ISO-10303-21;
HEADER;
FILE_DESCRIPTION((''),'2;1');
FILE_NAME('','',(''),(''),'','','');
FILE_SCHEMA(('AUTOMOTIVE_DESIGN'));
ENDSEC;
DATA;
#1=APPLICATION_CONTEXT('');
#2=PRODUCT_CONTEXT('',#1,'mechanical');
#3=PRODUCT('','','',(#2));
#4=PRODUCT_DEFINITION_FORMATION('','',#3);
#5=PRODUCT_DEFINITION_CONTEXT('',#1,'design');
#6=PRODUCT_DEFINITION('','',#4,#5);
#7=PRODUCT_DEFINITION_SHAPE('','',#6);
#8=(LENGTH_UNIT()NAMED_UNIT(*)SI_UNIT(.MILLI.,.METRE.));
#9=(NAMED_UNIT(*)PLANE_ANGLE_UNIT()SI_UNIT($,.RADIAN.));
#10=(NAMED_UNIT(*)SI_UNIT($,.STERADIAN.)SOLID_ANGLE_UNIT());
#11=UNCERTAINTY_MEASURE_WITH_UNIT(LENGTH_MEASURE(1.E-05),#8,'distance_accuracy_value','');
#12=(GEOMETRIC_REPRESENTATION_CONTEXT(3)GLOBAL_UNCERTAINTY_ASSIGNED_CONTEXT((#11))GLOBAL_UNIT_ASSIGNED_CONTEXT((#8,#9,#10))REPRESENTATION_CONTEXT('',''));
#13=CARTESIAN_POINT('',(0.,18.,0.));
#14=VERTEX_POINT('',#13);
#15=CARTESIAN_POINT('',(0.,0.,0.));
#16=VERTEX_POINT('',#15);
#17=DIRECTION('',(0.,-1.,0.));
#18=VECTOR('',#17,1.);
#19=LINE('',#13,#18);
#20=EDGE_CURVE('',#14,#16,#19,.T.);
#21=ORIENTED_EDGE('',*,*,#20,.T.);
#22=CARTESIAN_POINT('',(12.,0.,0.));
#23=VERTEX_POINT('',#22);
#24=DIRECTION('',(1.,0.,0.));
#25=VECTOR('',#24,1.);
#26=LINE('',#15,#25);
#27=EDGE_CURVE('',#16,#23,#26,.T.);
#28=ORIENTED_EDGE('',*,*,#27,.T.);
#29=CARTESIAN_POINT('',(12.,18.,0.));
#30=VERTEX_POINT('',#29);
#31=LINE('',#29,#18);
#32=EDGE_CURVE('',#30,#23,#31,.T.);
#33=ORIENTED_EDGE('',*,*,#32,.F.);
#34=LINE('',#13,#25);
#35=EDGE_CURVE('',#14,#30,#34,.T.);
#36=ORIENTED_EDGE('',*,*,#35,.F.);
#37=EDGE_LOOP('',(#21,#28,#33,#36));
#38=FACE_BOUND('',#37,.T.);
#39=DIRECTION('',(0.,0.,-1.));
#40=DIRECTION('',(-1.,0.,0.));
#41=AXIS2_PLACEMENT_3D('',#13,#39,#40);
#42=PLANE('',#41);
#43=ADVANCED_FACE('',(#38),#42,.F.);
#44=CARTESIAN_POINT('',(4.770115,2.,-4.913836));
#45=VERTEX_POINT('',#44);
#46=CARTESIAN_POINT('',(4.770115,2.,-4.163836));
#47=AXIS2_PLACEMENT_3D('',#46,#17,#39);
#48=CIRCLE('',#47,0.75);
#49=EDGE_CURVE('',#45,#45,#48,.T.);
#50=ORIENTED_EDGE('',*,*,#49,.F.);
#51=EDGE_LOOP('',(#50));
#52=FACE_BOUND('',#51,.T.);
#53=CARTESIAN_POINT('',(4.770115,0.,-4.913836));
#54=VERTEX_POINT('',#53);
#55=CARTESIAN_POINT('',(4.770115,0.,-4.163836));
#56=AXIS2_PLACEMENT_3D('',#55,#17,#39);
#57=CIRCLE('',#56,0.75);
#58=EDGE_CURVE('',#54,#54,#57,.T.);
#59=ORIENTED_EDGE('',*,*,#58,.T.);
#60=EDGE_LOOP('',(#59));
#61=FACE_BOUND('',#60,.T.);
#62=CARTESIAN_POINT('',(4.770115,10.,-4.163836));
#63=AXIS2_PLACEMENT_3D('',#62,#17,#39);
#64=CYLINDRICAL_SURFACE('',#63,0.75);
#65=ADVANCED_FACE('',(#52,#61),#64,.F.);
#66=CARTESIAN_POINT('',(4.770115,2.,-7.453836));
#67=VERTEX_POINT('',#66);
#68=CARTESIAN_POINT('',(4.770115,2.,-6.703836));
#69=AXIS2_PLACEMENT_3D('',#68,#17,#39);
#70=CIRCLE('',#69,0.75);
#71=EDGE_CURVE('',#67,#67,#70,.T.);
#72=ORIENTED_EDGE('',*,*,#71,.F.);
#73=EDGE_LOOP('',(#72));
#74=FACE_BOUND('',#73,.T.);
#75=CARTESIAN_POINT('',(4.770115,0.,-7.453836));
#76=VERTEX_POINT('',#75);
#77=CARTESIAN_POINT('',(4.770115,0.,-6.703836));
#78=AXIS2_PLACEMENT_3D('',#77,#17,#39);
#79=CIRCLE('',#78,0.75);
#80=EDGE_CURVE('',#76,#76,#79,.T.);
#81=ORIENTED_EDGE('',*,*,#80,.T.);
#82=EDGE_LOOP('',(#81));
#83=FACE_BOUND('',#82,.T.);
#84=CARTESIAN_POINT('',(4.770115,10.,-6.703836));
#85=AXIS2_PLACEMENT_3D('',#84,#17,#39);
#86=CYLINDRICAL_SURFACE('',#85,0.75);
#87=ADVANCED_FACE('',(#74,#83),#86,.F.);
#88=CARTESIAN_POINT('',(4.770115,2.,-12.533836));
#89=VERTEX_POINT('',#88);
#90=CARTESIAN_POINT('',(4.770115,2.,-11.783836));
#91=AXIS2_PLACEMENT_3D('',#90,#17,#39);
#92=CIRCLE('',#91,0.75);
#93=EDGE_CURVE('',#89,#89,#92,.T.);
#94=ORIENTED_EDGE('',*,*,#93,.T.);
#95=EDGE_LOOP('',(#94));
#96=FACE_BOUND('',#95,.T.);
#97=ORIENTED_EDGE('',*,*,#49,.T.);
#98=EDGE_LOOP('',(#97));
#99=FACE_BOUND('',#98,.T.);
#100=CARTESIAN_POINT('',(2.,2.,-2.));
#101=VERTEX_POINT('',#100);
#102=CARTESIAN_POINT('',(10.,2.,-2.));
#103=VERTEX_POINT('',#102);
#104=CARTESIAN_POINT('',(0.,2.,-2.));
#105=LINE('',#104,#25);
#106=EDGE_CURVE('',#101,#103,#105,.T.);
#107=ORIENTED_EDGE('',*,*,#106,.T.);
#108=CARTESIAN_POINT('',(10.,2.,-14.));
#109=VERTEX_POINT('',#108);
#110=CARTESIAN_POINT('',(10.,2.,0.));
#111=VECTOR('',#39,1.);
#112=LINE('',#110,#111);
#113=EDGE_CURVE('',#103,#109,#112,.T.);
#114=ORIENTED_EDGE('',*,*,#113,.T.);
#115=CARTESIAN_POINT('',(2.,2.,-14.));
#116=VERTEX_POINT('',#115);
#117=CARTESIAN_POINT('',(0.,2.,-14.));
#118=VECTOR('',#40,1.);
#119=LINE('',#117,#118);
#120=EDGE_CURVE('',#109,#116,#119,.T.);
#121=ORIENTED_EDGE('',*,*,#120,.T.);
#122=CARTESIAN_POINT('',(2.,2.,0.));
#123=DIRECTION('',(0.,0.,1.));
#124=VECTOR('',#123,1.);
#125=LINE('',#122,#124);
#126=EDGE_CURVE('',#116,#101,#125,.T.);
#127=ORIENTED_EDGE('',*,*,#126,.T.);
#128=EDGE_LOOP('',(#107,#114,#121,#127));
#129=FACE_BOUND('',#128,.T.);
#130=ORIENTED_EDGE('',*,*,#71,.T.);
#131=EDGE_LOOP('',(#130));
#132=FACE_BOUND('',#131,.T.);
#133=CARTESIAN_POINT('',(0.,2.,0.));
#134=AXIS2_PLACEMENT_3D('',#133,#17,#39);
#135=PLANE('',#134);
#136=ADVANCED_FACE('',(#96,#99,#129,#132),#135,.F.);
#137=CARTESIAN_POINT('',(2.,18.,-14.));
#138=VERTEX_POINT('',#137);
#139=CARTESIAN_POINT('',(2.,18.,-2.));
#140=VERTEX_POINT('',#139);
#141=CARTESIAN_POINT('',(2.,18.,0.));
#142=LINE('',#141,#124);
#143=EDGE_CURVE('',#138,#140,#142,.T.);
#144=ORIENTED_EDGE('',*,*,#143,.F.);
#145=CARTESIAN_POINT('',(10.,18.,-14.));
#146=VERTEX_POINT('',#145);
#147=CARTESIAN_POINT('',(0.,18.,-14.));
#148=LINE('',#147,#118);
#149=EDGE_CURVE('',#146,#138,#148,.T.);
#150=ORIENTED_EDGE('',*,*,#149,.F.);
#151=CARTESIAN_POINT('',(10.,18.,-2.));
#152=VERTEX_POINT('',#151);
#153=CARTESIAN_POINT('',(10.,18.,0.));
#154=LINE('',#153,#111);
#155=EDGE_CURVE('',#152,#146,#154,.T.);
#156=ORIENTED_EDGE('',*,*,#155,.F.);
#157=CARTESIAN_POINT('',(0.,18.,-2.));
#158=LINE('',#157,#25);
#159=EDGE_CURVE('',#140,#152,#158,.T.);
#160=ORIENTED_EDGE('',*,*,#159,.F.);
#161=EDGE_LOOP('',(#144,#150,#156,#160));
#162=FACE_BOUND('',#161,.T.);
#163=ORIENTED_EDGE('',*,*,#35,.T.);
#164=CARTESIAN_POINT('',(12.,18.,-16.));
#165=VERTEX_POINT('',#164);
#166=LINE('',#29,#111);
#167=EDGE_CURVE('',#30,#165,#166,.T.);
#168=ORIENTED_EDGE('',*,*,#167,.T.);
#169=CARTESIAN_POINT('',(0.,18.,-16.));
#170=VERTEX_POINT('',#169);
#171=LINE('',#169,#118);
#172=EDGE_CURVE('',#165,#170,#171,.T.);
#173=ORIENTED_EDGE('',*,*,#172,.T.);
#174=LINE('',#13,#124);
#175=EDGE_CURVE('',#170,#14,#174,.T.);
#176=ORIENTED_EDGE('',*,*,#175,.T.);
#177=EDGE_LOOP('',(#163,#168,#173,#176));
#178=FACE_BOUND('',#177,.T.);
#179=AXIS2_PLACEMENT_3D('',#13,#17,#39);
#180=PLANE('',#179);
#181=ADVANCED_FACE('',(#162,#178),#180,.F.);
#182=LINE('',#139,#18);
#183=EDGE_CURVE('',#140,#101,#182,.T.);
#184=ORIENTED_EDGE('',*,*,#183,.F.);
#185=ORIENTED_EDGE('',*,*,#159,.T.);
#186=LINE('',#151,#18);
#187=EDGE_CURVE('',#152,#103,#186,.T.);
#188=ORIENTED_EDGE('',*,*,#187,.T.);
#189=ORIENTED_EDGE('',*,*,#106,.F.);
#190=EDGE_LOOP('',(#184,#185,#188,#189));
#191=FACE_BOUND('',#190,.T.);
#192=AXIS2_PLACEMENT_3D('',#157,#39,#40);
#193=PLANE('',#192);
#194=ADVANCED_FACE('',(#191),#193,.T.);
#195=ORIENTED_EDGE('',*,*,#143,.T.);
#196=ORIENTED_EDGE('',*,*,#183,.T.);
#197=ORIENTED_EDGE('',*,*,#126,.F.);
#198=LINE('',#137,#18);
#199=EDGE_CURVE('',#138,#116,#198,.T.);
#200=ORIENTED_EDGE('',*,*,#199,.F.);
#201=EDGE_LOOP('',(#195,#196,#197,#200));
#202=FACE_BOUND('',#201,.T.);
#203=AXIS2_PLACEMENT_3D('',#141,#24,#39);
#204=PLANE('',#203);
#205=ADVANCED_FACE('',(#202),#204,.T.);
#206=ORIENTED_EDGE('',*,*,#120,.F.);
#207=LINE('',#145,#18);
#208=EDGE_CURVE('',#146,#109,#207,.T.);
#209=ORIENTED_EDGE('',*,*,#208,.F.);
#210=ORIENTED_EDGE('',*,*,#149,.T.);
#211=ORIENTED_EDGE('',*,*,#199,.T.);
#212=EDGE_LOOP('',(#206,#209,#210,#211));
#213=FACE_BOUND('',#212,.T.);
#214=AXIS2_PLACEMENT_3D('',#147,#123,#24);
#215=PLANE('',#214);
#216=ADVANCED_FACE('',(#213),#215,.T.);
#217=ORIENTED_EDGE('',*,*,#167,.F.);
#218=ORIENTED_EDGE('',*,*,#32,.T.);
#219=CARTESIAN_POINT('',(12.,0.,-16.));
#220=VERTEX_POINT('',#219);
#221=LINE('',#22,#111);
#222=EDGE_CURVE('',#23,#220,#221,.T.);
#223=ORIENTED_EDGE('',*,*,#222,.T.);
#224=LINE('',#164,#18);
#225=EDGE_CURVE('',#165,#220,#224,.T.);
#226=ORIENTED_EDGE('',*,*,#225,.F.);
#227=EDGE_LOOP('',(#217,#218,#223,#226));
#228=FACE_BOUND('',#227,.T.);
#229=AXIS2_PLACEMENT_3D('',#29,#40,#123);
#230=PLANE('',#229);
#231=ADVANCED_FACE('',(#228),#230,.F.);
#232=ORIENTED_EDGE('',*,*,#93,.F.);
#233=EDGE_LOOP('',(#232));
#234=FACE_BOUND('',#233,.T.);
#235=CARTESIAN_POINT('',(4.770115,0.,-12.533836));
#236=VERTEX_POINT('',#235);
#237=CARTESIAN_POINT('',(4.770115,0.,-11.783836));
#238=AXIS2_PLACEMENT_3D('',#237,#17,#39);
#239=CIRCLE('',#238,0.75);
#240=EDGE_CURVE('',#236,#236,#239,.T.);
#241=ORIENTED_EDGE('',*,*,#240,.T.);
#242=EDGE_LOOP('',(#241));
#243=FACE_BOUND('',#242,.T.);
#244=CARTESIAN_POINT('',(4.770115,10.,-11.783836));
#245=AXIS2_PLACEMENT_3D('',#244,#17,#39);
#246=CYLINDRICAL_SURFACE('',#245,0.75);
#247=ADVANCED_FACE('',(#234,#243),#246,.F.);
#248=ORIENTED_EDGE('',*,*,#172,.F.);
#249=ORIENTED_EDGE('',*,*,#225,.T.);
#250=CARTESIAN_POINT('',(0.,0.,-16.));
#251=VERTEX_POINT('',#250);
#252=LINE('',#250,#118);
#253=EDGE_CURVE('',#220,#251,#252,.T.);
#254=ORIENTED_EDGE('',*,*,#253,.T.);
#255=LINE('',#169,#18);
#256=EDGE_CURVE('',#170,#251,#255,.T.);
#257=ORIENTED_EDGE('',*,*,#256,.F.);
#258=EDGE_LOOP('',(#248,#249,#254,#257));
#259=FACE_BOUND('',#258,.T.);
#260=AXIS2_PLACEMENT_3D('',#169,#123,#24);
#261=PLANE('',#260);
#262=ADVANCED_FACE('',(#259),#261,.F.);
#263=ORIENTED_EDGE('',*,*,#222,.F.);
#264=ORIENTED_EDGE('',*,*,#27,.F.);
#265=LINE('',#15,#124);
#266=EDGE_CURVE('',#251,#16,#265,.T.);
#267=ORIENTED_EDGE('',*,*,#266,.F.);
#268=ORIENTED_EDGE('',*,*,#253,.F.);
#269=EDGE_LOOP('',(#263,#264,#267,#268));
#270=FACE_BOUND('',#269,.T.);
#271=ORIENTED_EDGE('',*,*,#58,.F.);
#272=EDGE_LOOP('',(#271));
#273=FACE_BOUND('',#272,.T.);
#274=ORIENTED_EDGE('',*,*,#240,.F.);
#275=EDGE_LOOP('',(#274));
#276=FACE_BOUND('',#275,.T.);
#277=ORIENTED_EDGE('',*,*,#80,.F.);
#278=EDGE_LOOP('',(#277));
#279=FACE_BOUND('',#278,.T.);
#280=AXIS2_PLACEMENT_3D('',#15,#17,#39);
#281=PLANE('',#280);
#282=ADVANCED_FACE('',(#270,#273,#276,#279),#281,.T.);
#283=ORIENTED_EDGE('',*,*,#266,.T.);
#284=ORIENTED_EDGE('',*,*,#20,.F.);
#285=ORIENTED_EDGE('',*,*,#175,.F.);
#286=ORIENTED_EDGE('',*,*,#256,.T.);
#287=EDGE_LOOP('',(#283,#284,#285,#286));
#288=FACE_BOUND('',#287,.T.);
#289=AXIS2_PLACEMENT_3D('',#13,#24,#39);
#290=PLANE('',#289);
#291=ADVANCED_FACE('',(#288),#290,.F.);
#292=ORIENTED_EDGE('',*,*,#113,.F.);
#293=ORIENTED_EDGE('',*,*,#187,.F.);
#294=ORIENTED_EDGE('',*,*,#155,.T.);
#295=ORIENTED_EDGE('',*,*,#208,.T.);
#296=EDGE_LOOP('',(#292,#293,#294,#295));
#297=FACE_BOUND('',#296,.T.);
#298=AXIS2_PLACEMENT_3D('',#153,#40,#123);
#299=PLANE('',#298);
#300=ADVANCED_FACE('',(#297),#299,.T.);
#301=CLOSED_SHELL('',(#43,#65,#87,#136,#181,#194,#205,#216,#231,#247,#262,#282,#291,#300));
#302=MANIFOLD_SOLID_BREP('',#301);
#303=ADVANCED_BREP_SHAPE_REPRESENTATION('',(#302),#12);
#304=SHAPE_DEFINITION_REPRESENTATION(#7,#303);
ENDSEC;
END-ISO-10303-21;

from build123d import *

# Parameters (mm, degrees)
SKETCH1_W           = 12
SKETCH1_H           = 16
BOSS_EXTRUDE1_DEPTH = 18
SHELL1_T            = -2
SKETCH2_R           = 0.75
CUT_EXTRUDE1_DEPTH  = 10


with BuildPart() as part:
    # Sketch1 → Boss-Extrude1 (new body)
    with BuildSketch(Plane(origin=(0, 0, 0), x_dir=(1, 0, 0), z_dir=(0, 1, 0))):
        with Locations((6, 8)):
            Rectangle(SKETCH1_W, SKETCH1_H)
    extrude(amount=BOSS_EXTRUDE1_DEPTH)

    # Shell1
    shell1_openings = [part.faces().sort_by_distance(p)[0] for p in [
        (6, 18, -8),
    ]]
    offset(amount=SHELL1_T, openings=shell1_openings, kind=Kind.INTERSECTION)

    # Sketch2 → Cut-Extrude1 (cut)
    with BuildSketch(Plane.XZ):
        with Locations((4.770114722, -4.163836206)):
            Circle(SKETCH2_R)
        with Locations((4.770114722, -6.703836206)):
            Circle(SKETCH2_R)
        with Locations((4.770114721, -11.783836206)):
            Circle(SKETCH2_R)
    extrude(amount=-CUT_EXTRUDE1_DEPTH, mode=Mode.SUBTRACT)


solid = part.part
